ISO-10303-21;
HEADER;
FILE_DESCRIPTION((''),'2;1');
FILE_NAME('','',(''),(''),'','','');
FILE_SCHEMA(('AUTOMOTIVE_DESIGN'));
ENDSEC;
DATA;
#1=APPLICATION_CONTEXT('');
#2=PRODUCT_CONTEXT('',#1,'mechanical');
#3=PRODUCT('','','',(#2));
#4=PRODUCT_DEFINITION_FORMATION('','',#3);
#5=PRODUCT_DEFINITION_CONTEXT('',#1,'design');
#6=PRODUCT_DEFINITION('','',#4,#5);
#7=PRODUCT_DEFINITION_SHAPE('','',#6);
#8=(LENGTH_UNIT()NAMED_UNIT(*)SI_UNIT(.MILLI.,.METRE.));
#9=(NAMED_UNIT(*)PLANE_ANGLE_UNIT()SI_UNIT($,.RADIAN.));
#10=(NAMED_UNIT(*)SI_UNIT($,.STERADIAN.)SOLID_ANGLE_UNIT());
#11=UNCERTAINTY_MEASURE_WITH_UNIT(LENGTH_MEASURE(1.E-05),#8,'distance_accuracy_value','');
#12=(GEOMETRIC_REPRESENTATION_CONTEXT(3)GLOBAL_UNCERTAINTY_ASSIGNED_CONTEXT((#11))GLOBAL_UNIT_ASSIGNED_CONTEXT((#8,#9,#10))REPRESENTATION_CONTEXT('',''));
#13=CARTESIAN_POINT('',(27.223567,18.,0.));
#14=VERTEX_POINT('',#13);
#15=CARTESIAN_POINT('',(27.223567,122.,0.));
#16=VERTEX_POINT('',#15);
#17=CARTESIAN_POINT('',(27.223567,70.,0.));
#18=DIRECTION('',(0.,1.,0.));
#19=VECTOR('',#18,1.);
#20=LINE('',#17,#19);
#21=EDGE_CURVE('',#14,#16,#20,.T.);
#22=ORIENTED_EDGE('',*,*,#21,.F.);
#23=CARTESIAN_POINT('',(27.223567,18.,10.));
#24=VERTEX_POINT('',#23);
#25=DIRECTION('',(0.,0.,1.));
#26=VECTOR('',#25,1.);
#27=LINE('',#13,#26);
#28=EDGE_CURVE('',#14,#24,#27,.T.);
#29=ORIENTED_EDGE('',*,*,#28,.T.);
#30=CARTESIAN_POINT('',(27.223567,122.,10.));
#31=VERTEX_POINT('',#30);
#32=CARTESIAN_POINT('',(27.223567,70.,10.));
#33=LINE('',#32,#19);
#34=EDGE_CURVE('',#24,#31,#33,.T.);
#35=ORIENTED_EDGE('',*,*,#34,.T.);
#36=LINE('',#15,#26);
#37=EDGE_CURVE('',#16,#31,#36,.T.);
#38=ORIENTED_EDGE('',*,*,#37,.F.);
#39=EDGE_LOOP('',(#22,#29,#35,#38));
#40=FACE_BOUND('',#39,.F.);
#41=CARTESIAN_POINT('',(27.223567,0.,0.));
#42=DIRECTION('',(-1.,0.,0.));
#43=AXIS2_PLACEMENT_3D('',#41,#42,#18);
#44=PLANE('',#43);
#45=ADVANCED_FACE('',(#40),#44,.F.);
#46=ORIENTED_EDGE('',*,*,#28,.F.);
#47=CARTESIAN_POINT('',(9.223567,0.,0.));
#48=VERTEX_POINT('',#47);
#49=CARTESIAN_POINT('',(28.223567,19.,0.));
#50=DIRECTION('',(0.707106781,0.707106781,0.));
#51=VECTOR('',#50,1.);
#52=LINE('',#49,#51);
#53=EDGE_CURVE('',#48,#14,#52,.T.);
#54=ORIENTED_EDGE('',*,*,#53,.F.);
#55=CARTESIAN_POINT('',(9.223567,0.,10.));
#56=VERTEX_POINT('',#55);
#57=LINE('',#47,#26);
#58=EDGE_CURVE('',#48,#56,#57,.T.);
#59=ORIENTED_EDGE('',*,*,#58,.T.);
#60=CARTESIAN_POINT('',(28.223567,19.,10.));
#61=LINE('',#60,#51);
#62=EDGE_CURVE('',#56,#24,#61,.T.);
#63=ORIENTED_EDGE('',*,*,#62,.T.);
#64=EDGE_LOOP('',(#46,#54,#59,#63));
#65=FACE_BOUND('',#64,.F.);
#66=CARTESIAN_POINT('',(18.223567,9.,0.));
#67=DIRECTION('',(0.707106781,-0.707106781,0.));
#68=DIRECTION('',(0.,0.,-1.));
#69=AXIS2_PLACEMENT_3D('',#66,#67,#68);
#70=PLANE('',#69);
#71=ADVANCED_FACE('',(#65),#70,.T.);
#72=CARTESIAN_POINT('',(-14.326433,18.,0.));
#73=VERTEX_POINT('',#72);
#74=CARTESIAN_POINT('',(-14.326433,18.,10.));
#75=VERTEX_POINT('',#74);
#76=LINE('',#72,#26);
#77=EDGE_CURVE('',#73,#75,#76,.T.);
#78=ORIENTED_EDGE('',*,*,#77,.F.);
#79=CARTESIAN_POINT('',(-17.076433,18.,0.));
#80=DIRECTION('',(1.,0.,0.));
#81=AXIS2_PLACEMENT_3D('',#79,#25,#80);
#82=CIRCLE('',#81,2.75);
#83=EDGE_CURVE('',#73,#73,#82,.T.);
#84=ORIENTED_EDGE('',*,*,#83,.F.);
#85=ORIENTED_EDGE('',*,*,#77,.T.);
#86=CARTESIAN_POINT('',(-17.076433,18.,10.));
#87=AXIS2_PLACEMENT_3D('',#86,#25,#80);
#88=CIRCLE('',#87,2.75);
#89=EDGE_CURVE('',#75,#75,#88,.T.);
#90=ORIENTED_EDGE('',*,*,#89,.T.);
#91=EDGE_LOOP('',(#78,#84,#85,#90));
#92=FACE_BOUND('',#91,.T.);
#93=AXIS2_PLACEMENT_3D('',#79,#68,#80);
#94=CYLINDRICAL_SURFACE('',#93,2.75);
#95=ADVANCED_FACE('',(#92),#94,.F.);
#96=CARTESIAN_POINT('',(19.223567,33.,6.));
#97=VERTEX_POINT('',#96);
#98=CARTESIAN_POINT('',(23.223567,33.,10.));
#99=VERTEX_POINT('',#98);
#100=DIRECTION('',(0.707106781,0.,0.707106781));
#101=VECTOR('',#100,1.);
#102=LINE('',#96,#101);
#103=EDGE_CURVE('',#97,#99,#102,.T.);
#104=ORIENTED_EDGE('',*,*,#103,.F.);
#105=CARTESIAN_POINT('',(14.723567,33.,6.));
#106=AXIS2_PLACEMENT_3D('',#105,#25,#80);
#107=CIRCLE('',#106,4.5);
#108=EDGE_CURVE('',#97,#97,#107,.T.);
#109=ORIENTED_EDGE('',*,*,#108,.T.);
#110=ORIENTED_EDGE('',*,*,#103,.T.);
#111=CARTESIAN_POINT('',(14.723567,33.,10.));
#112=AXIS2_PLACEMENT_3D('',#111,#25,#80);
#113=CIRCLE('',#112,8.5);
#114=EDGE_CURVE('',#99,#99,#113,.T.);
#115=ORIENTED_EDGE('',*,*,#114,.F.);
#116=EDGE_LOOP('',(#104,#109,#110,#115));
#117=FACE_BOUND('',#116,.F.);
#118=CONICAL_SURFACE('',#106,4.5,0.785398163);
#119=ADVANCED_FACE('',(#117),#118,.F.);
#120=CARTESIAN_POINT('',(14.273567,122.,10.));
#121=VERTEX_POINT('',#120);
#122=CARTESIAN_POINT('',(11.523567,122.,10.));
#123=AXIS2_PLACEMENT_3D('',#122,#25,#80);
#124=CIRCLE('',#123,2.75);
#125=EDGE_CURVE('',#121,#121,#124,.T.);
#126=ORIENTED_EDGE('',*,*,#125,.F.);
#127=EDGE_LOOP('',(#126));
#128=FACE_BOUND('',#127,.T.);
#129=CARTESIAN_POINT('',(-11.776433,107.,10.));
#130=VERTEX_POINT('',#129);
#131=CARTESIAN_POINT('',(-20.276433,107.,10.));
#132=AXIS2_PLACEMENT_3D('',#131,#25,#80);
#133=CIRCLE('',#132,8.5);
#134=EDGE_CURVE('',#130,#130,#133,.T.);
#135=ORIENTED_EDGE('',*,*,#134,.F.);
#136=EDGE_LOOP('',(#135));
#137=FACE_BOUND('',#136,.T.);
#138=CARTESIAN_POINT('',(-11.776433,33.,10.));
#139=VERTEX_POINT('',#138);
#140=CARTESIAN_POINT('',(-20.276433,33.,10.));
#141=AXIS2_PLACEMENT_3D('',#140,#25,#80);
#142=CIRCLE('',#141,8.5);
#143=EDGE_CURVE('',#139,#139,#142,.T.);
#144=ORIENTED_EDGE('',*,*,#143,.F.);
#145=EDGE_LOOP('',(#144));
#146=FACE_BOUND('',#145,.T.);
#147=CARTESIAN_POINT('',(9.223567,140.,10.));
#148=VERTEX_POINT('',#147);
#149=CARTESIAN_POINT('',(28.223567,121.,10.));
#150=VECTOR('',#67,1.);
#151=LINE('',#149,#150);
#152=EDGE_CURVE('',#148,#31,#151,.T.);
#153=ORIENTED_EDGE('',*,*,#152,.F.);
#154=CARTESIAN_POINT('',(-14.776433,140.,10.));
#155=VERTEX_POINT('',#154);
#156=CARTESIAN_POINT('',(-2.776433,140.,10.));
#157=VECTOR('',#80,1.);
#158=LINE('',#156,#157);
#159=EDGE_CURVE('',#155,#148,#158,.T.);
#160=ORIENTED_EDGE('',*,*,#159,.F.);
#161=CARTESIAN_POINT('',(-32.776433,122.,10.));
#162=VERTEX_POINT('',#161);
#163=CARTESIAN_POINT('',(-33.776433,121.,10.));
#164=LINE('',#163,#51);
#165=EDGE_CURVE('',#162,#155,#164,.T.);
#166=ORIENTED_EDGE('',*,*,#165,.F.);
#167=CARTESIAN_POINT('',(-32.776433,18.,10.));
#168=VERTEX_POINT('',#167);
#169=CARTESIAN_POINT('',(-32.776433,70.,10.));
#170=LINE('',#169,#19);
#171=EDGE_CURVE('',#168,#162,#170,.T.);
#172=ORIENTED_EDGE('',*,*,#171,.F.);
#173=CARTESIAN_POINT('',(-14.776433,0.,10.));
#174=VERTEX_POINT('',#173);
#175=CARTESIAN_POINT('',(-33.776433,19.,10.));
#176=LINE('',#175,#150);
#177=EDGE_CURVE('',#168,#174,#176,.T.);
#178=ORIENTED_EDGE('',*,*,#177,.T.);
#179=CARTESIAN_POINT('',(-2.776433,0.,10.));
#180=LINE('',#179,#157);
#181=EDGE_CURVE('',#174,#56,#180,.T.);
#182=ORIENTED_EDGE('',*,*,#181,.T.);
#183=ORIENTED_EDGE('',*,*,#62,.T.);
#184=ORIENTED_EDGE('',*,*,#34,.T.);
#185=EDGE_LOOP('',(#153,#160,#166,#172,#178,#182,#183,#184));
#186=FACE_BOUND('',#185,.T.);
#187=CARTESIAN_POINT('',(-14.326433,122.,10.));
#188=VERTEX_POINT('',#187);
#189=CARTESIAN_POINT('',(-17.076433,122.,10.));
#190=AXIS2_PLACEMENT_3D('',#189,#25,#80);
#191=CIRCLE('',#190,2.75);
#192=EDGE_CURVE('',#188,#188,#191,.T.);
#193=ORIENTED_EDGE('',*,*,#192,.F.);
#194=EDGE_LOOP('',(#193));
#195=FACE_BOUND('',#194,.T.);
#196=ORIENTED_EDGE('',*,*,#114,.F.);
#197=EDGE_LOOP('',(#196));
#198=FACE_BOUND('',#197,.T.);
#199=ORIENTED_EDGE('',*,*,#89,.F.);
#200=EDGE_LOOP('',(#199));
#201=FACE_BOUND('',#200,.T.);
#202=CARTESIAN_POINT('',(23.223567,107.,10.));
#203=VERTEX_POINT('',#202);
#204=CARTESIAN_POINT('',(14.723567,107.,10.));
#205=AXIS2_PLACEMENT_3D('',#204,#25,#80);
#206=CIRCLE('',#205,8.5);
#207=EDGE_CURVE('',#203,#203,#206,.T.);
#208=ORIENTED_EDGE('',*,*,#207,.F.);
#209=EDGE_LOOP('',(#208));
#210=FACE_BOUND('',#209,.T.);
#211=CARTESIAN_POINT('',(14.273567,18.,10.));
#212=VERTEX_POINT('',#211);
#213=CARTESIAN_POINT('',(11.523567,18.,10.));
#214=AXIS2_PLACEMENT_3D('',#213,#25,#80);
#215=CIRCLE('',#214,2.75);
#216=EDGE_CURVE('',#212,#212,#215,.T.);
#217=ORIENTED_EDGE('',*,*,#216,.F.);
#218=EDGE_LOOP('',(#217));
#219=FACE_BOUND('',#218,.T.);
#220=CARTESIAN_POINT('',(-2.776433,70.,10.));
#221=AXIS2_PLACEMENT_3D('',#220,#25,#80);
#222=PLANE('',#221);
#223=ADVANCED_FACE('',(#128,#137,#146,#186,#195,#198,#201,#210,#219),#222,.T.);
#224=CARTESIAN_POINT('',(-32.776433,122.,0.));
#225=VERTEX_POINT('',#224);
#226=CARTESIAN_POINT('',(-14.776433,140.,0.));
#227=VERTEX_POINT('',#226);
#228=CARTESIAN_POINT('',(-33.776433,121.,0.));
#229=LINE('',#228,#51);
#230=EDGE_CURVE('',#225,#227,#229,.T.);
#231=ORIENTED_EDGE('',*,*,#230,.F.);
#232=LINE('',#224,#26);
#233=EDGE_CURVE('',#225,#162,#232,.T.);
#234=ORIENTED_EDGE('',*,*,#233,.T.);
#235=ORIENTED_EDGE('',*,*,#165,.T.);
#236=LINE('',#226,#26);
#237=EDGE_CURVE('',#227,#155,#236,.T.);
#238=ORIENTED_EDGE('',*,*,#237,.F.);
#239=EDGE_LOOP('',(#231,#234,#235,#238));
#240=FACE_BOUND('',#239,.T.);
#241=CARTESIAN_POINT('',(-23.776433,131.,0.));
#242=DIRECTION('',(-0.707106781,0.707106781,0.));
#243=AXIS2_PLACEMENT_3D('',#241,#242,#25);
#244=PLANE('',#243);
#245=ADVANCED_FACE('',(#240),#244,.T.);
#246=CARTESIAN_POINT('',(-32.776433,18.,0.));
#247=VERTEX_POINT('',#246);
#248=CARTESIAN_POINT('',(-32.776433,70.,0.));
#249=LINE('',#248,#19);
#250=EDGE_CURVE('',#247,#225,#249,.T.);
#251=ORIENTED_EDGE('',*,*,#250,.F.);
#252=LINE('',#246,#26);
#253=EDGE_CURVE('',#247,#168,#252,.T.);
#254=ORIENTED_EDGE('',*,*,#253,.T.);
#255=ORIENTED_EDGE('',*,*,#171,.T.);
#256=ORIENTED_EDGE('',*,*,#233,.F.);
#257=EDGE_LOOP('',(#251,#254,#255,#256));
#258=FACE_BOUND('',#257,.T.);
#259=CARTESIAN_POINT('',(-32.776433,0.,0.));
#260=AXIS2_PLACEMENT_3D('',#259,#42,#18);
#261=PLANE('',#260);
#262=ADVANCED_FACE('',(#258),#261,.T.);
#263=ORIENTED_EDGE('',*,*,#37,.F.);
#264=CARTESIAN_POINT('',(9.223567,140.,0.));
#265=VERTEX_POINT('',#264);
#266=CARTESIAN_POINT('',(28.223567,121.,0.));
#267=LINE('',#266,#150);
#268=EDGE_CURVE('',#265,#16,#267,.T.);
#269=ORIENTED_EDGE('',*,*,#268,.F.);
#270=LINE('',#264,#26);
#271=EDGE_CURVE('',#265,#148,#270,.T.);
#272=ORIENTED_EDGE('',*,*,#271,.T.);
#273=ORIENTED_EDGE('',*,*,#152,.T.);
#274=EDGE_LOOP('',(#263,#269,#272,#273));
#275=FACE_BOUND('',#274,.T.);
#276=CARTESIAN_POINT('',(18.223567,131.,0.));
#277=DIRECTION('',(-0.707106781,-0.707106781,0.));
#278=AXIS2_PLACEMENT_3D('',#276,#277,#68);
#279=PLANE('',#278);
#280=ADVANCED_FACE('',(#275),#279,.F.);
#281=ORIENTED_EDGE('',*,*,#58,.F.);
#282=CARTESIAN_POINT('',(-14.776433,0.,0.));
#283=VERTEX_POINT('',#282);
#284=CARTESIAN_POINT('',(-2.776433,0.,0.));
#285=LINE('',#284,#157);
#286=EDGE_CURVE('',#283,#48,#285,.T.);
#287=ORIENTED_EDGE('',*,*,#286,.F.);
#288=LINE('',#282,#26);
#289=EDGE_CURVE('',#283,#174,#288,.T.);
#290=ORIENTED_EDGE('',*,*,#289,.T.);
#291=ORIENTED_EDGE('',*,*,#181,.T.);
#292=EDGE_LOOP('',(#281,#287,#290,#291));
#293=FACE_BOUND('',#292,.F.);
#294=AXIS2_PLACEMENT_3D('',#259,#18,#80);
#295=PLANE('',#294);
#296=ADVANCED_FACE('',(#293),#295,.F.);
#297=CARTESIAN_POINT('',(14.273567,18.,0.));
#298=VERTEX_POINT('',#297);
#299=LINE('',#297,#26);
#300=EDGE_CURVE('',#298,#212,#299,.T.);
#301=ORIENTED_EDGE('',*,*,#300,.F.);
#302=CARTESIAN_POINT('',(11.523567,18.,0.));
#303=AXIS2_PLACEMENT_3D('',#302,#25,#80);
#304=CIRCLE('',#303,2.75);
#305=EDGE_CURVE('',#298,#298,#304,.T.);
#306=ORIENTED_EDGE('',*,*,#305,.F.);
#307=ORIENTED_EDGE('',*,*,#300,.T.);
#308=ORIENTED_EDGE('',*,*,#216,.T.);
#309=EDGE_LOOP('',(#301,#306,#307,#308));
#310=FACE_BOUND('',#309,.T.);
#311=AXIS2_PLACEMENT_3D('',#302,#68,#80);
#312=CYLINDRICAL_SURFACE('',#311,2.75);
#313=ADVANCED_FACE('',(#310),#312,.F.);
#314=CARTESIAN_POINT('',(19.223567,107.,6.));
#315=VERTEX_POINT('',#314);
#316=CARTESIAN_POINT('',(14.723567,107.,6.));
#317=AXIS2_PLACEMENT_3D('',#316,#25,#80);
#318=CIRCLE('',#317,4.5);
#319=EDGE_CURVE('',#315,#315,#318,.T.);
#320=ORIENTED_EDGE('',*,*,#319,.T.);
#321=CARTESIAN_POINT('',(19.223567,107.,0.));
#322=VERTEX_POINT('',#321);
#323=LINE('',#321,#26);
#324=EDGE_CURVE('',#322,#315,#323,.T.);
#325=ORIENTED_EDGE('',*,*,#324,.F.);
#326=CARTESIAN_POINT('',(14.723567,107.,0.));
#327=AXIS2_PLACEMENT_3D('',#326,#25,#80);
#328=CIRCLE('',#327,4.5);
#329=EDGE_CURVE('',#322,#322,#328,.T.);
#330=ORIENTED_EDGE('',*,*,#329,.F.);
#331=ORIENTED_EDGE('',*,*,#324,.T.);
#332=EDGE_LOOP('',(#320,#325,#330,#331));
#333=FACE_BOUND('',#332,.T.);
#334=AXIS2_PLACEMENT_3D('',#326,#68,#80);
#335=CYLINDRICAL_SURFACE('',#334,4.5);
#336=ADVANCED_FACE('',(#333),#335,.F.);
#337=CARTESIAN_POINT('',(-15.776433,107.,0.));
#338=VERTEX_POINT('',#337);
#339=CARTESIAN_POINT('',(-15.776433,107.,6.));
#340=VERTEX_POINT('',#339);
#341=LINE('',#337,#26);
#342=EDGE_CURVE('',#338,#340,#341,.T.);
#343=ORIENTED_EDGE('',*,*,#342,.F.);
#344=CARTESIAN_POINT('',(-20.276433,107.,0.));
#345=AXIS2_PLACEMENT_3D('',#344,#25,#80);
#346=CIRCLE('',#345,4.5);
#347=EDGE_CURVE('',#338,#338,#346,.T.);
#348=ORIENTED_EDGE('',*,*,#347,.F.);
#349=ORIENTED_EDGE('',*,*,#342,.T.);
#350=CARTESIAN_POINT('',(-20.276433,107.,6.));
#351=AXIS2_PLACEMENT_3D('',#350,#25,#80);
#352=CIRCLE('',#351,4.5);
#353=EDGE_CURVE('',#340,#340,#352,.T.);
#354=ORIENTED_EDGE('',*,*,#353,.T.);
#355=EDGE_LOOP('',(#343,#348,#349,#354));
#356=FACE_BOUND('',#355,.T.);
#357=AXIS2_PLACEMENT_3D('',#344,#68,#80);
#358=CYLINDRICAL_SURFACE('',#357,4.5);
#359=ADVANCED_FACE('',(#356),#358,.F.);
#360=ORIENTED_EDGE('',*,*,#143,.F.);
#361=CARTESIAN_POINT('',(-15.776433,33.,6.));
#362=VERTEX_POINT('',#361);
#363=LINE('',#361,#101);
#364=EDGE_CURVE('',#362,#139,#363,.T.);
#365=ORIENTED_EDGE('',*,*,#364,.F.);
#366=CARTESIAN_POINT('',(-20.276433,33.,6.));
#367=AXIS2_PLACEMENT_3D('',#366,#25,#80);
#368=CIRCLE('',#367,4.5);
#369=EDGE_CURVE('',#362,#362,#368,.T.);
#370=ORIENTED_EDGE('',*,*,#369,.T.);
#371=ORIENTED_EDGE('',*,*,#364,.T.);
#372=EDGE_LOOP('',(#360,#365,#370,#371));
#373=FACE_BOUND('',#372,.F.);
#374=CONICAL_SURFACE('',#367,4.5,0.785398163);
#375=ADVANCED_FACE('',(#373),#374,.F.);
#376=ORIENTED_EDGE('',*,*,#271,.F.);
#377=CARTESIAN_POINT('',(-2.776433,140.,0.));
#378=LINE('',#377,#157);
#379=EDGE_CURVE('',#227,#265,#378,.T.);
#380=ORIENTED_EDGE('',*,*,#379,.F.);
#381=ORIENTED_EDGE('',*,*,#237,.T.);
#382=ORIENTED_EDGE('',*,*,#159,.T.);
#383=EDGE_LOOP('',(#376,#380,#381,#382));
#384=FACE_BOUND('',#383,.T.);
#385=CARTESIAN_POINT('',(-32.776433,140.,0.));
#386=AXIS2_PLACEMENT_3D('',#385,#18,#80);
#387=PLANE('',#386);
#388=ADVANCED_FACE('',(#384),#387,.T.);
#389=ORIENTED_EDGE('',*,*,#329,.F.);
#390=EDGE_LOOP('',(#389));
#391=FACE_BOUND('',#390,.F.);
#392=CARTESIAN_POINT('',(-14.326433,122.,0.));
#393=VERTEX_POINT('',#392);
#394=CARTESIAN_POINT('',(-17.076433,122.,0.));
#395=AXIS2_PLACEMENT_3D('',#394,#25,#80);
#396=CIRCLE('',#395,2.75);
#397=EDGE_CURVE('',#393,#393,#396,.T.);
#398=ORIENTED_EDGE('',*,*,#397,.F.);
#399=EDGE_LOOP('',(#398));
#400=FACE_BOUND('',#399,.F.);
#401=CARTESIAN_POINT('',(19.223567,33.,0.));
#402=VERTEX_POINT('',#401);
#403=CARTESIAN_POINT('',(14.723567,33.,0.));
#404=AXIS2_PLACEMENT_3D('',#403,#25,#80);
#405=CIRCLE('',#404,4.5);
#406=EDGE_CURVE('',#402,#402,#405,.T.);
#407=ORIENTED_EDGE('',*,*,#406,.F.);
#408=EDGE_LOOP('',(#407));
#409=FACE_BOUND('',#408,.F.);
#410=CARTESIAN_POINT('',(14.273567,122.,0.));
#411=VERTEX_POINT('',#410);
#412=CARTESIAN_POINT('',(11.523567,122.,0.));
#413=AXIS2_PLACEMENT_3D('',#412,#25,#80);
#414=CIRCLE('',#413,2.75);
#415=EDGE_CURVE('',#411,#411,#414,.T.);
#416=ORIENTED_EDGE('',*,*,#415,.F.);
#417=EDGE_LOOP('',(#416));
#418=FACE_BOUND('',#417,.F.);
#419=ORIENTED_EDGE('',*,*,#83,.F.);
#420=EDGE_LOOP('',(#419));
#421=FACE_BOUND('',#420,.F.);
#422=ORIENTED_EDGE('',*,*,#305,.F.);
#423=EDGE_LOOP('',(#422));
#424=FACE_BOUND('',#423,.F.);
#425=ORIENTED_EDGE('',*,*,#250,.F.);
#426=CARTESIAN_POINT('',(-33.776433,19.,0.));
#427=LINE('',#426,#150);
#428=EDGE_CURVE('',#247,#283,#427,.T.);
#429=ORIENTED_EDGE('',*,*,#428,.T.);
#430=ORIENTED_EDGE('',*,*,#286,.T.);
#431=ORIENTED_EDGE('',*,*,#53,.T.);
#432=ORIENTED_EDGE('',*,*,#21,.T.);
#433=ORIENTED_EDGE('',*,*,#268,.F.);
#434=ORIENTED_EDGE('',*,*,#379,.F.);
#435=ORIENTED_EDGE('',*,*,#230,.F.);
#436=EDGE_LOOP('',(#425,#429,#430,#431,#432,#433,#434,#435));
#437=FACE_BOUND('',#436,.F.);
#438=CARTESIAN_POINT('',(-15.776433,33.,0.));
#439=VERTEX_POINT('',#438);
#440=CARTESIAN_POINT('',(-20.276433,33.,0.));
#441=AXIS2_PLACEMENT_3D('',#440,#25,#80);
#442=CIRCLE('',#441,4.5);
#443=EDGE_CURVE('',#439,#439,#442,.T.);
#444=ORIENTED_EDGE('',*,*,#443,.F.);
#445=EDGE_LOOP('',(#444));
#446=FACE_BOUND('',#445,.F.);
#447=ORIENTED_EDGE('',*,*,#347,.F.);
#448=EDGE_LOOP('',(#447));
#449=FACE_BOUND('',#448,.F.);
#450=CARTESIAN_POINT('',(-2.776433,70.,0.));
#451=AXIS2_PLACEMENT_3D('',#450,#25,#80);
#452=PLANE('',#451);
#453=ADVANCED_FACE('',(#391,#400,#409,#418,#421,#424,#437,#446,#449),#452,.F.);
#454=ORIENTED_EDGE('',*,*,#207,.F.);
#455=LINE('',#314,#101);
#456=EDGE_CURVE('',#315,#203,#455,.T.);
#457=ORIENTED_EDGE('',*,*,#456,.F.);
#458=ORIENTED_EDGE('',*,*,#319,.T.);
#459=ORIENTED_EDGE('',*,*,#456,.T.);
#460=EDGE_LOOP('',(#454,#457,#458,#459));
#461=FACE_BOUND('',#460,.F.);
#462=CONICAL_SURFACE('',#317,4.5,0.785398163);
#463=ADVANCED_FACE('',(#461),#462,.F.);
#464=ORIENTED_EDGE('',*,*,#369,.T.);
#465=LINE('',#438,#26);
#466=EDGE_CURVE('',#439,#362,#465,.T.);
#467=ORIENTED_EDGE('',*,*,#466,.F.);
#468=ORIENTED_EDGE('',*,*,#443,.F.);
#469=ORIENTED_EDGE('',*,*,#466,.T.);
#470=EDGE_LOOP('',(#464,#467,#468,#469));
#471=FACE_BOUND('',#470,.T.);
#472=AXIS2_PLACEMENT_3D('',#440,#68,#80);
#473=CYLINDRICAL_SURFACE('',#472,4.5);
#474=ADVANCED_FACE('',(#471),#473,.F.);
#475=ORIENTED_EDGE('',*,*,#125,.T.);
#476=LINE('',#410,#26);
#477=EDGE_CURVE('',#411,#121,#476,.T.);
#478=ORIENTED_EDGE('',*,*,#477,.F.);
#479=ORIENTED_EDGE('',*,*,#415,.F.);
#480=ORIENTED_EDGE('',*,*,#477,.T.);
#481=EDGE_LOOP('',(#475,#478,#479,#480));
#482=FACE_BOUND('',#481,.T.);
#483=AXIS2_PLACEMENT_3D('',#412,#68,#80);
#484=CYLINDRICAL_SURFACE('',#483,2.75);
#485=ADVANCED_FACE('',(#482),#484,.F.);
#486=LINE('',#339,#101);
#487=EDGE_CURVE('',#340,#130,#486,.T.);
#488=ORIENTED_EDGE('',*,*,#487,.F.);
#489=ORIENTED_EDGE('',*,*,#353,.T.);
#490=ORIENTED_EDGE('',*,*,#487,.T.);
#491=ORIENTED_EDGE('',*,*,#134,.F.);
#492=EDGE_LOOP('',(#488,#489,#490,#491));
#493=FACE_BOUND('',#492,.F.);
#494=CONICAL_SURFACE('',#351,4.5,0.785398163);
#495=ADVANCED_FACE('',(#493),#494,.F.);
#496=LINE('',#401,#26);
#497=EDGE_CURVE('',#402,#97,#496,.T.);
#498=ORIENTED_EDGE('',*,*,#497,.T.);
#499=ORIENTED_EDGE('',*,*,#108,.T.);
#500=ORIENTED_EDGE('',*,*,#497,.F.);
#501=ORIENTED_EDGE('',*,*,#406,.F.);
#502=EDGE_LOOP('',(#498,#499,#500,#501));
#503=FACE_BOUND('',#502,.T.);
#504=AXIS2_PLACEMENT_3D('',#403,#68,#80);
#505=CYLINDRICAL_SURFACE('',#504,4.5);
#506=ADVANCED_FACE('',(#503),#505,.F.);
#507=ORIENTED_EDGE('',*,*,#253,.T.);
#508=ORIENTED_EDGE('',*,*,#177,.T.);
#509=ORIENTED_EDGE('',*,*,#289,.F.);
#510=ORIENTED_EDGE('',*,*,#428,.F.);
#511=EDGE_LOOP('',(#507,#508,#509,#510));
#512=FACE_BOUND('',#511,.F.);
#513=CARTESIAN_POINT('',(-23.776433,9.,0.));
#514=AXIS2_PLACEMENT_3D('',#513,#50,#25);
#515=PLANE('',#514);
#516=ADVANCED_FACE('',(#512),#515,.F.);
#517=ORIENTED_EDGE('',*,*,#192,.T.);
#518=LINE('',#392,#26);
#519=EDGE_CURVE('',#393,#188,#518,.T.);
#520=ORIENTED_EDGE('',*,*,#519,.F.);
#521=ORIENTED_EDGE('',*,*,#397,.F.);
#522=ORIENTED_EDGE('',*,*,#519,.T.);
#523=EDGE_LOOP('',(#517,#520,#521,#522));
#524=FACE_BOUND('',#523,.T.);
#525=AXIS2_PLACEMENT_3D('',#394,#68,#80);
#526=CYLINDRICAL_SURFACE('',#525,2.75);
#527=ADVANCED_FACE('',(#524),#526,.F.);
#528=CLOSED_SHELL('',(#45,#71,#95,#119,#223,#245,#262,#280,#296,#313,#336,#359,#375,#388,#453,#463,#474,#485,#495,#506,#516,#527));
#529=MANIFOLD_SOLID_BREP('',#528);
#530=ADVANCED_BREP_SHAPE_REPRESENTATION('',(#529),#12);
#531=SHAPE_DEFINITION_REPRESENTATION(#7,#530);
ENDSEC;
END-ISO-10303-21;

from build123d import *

# Parameters (mm, degrees)
F0_W     = 60
F0_H     = 140
F0_R     = 4.5
F0_R_2   = 2.75
F1_DEPTH = 10
F2_SIZE  = 4
F3_SIZE  = 18


with BuildPart() as f1:
    # F0 (on Top) → F1 (new body)
    with BuildSketch(Plane.XY):
        with Locations((-2.776433, 70)):
            Rectangle(F0_W, F0_H)
        with Locations((-20.276433, 33)):
            Circle(F0_R, mode=Mode.SUBTRACT)
        with Locations((-17.076433, 18)):
            Circle(F0_R_2, mode=Mode.SUBTRACT)
        with Locations((11.523567, 18)):
            Circle(F0_R_2, mode=Mode.SUBTRACT)
        with Locations((14.723567, 33)):
            Circle(F0_R, mode=Mode.SUBTRACT)
        with Locations((-20.276433, 107)):
            Circle(F0_R, mode=Mode.SUBTRACT)
        with Locations((-17.076433, 122)):
            Circle(F0_R_2, mode=Mode.SUBTRACT)
        with Locations((11.523567, 122)):
            Circle(F0_R_2, mode=Mode.SUBTRACT)
        with Locations((14.723567, 107)):
            Circle(F0_R, mode=Mode.SUBTRACT)
    extrude(amount=F1_DEPTH)

    # F2
    f2_edges = [f1.edges().sort_by_distance(p)[0] for p in [
        (-24.776433, 33, 10),
        (10.223567, 33, 10),
        (10.223567, 107, 10),
        (-24.776433, 107, 10),
    ]]
    chamfer(f2_edges, length=F2_SIZE)

    # F3
    f3_edges = [f1.edges().sort_by_distance(p)[0] for p in [
        (-32.776433, 0, 5),
        (27.223567, 0, 5),
        (27.223567, 140, 5),
        (-32.776433, 140, 5),
    ]]
    chamfer(f3_edges, length=F3_SIZE)


solid = f1.part
